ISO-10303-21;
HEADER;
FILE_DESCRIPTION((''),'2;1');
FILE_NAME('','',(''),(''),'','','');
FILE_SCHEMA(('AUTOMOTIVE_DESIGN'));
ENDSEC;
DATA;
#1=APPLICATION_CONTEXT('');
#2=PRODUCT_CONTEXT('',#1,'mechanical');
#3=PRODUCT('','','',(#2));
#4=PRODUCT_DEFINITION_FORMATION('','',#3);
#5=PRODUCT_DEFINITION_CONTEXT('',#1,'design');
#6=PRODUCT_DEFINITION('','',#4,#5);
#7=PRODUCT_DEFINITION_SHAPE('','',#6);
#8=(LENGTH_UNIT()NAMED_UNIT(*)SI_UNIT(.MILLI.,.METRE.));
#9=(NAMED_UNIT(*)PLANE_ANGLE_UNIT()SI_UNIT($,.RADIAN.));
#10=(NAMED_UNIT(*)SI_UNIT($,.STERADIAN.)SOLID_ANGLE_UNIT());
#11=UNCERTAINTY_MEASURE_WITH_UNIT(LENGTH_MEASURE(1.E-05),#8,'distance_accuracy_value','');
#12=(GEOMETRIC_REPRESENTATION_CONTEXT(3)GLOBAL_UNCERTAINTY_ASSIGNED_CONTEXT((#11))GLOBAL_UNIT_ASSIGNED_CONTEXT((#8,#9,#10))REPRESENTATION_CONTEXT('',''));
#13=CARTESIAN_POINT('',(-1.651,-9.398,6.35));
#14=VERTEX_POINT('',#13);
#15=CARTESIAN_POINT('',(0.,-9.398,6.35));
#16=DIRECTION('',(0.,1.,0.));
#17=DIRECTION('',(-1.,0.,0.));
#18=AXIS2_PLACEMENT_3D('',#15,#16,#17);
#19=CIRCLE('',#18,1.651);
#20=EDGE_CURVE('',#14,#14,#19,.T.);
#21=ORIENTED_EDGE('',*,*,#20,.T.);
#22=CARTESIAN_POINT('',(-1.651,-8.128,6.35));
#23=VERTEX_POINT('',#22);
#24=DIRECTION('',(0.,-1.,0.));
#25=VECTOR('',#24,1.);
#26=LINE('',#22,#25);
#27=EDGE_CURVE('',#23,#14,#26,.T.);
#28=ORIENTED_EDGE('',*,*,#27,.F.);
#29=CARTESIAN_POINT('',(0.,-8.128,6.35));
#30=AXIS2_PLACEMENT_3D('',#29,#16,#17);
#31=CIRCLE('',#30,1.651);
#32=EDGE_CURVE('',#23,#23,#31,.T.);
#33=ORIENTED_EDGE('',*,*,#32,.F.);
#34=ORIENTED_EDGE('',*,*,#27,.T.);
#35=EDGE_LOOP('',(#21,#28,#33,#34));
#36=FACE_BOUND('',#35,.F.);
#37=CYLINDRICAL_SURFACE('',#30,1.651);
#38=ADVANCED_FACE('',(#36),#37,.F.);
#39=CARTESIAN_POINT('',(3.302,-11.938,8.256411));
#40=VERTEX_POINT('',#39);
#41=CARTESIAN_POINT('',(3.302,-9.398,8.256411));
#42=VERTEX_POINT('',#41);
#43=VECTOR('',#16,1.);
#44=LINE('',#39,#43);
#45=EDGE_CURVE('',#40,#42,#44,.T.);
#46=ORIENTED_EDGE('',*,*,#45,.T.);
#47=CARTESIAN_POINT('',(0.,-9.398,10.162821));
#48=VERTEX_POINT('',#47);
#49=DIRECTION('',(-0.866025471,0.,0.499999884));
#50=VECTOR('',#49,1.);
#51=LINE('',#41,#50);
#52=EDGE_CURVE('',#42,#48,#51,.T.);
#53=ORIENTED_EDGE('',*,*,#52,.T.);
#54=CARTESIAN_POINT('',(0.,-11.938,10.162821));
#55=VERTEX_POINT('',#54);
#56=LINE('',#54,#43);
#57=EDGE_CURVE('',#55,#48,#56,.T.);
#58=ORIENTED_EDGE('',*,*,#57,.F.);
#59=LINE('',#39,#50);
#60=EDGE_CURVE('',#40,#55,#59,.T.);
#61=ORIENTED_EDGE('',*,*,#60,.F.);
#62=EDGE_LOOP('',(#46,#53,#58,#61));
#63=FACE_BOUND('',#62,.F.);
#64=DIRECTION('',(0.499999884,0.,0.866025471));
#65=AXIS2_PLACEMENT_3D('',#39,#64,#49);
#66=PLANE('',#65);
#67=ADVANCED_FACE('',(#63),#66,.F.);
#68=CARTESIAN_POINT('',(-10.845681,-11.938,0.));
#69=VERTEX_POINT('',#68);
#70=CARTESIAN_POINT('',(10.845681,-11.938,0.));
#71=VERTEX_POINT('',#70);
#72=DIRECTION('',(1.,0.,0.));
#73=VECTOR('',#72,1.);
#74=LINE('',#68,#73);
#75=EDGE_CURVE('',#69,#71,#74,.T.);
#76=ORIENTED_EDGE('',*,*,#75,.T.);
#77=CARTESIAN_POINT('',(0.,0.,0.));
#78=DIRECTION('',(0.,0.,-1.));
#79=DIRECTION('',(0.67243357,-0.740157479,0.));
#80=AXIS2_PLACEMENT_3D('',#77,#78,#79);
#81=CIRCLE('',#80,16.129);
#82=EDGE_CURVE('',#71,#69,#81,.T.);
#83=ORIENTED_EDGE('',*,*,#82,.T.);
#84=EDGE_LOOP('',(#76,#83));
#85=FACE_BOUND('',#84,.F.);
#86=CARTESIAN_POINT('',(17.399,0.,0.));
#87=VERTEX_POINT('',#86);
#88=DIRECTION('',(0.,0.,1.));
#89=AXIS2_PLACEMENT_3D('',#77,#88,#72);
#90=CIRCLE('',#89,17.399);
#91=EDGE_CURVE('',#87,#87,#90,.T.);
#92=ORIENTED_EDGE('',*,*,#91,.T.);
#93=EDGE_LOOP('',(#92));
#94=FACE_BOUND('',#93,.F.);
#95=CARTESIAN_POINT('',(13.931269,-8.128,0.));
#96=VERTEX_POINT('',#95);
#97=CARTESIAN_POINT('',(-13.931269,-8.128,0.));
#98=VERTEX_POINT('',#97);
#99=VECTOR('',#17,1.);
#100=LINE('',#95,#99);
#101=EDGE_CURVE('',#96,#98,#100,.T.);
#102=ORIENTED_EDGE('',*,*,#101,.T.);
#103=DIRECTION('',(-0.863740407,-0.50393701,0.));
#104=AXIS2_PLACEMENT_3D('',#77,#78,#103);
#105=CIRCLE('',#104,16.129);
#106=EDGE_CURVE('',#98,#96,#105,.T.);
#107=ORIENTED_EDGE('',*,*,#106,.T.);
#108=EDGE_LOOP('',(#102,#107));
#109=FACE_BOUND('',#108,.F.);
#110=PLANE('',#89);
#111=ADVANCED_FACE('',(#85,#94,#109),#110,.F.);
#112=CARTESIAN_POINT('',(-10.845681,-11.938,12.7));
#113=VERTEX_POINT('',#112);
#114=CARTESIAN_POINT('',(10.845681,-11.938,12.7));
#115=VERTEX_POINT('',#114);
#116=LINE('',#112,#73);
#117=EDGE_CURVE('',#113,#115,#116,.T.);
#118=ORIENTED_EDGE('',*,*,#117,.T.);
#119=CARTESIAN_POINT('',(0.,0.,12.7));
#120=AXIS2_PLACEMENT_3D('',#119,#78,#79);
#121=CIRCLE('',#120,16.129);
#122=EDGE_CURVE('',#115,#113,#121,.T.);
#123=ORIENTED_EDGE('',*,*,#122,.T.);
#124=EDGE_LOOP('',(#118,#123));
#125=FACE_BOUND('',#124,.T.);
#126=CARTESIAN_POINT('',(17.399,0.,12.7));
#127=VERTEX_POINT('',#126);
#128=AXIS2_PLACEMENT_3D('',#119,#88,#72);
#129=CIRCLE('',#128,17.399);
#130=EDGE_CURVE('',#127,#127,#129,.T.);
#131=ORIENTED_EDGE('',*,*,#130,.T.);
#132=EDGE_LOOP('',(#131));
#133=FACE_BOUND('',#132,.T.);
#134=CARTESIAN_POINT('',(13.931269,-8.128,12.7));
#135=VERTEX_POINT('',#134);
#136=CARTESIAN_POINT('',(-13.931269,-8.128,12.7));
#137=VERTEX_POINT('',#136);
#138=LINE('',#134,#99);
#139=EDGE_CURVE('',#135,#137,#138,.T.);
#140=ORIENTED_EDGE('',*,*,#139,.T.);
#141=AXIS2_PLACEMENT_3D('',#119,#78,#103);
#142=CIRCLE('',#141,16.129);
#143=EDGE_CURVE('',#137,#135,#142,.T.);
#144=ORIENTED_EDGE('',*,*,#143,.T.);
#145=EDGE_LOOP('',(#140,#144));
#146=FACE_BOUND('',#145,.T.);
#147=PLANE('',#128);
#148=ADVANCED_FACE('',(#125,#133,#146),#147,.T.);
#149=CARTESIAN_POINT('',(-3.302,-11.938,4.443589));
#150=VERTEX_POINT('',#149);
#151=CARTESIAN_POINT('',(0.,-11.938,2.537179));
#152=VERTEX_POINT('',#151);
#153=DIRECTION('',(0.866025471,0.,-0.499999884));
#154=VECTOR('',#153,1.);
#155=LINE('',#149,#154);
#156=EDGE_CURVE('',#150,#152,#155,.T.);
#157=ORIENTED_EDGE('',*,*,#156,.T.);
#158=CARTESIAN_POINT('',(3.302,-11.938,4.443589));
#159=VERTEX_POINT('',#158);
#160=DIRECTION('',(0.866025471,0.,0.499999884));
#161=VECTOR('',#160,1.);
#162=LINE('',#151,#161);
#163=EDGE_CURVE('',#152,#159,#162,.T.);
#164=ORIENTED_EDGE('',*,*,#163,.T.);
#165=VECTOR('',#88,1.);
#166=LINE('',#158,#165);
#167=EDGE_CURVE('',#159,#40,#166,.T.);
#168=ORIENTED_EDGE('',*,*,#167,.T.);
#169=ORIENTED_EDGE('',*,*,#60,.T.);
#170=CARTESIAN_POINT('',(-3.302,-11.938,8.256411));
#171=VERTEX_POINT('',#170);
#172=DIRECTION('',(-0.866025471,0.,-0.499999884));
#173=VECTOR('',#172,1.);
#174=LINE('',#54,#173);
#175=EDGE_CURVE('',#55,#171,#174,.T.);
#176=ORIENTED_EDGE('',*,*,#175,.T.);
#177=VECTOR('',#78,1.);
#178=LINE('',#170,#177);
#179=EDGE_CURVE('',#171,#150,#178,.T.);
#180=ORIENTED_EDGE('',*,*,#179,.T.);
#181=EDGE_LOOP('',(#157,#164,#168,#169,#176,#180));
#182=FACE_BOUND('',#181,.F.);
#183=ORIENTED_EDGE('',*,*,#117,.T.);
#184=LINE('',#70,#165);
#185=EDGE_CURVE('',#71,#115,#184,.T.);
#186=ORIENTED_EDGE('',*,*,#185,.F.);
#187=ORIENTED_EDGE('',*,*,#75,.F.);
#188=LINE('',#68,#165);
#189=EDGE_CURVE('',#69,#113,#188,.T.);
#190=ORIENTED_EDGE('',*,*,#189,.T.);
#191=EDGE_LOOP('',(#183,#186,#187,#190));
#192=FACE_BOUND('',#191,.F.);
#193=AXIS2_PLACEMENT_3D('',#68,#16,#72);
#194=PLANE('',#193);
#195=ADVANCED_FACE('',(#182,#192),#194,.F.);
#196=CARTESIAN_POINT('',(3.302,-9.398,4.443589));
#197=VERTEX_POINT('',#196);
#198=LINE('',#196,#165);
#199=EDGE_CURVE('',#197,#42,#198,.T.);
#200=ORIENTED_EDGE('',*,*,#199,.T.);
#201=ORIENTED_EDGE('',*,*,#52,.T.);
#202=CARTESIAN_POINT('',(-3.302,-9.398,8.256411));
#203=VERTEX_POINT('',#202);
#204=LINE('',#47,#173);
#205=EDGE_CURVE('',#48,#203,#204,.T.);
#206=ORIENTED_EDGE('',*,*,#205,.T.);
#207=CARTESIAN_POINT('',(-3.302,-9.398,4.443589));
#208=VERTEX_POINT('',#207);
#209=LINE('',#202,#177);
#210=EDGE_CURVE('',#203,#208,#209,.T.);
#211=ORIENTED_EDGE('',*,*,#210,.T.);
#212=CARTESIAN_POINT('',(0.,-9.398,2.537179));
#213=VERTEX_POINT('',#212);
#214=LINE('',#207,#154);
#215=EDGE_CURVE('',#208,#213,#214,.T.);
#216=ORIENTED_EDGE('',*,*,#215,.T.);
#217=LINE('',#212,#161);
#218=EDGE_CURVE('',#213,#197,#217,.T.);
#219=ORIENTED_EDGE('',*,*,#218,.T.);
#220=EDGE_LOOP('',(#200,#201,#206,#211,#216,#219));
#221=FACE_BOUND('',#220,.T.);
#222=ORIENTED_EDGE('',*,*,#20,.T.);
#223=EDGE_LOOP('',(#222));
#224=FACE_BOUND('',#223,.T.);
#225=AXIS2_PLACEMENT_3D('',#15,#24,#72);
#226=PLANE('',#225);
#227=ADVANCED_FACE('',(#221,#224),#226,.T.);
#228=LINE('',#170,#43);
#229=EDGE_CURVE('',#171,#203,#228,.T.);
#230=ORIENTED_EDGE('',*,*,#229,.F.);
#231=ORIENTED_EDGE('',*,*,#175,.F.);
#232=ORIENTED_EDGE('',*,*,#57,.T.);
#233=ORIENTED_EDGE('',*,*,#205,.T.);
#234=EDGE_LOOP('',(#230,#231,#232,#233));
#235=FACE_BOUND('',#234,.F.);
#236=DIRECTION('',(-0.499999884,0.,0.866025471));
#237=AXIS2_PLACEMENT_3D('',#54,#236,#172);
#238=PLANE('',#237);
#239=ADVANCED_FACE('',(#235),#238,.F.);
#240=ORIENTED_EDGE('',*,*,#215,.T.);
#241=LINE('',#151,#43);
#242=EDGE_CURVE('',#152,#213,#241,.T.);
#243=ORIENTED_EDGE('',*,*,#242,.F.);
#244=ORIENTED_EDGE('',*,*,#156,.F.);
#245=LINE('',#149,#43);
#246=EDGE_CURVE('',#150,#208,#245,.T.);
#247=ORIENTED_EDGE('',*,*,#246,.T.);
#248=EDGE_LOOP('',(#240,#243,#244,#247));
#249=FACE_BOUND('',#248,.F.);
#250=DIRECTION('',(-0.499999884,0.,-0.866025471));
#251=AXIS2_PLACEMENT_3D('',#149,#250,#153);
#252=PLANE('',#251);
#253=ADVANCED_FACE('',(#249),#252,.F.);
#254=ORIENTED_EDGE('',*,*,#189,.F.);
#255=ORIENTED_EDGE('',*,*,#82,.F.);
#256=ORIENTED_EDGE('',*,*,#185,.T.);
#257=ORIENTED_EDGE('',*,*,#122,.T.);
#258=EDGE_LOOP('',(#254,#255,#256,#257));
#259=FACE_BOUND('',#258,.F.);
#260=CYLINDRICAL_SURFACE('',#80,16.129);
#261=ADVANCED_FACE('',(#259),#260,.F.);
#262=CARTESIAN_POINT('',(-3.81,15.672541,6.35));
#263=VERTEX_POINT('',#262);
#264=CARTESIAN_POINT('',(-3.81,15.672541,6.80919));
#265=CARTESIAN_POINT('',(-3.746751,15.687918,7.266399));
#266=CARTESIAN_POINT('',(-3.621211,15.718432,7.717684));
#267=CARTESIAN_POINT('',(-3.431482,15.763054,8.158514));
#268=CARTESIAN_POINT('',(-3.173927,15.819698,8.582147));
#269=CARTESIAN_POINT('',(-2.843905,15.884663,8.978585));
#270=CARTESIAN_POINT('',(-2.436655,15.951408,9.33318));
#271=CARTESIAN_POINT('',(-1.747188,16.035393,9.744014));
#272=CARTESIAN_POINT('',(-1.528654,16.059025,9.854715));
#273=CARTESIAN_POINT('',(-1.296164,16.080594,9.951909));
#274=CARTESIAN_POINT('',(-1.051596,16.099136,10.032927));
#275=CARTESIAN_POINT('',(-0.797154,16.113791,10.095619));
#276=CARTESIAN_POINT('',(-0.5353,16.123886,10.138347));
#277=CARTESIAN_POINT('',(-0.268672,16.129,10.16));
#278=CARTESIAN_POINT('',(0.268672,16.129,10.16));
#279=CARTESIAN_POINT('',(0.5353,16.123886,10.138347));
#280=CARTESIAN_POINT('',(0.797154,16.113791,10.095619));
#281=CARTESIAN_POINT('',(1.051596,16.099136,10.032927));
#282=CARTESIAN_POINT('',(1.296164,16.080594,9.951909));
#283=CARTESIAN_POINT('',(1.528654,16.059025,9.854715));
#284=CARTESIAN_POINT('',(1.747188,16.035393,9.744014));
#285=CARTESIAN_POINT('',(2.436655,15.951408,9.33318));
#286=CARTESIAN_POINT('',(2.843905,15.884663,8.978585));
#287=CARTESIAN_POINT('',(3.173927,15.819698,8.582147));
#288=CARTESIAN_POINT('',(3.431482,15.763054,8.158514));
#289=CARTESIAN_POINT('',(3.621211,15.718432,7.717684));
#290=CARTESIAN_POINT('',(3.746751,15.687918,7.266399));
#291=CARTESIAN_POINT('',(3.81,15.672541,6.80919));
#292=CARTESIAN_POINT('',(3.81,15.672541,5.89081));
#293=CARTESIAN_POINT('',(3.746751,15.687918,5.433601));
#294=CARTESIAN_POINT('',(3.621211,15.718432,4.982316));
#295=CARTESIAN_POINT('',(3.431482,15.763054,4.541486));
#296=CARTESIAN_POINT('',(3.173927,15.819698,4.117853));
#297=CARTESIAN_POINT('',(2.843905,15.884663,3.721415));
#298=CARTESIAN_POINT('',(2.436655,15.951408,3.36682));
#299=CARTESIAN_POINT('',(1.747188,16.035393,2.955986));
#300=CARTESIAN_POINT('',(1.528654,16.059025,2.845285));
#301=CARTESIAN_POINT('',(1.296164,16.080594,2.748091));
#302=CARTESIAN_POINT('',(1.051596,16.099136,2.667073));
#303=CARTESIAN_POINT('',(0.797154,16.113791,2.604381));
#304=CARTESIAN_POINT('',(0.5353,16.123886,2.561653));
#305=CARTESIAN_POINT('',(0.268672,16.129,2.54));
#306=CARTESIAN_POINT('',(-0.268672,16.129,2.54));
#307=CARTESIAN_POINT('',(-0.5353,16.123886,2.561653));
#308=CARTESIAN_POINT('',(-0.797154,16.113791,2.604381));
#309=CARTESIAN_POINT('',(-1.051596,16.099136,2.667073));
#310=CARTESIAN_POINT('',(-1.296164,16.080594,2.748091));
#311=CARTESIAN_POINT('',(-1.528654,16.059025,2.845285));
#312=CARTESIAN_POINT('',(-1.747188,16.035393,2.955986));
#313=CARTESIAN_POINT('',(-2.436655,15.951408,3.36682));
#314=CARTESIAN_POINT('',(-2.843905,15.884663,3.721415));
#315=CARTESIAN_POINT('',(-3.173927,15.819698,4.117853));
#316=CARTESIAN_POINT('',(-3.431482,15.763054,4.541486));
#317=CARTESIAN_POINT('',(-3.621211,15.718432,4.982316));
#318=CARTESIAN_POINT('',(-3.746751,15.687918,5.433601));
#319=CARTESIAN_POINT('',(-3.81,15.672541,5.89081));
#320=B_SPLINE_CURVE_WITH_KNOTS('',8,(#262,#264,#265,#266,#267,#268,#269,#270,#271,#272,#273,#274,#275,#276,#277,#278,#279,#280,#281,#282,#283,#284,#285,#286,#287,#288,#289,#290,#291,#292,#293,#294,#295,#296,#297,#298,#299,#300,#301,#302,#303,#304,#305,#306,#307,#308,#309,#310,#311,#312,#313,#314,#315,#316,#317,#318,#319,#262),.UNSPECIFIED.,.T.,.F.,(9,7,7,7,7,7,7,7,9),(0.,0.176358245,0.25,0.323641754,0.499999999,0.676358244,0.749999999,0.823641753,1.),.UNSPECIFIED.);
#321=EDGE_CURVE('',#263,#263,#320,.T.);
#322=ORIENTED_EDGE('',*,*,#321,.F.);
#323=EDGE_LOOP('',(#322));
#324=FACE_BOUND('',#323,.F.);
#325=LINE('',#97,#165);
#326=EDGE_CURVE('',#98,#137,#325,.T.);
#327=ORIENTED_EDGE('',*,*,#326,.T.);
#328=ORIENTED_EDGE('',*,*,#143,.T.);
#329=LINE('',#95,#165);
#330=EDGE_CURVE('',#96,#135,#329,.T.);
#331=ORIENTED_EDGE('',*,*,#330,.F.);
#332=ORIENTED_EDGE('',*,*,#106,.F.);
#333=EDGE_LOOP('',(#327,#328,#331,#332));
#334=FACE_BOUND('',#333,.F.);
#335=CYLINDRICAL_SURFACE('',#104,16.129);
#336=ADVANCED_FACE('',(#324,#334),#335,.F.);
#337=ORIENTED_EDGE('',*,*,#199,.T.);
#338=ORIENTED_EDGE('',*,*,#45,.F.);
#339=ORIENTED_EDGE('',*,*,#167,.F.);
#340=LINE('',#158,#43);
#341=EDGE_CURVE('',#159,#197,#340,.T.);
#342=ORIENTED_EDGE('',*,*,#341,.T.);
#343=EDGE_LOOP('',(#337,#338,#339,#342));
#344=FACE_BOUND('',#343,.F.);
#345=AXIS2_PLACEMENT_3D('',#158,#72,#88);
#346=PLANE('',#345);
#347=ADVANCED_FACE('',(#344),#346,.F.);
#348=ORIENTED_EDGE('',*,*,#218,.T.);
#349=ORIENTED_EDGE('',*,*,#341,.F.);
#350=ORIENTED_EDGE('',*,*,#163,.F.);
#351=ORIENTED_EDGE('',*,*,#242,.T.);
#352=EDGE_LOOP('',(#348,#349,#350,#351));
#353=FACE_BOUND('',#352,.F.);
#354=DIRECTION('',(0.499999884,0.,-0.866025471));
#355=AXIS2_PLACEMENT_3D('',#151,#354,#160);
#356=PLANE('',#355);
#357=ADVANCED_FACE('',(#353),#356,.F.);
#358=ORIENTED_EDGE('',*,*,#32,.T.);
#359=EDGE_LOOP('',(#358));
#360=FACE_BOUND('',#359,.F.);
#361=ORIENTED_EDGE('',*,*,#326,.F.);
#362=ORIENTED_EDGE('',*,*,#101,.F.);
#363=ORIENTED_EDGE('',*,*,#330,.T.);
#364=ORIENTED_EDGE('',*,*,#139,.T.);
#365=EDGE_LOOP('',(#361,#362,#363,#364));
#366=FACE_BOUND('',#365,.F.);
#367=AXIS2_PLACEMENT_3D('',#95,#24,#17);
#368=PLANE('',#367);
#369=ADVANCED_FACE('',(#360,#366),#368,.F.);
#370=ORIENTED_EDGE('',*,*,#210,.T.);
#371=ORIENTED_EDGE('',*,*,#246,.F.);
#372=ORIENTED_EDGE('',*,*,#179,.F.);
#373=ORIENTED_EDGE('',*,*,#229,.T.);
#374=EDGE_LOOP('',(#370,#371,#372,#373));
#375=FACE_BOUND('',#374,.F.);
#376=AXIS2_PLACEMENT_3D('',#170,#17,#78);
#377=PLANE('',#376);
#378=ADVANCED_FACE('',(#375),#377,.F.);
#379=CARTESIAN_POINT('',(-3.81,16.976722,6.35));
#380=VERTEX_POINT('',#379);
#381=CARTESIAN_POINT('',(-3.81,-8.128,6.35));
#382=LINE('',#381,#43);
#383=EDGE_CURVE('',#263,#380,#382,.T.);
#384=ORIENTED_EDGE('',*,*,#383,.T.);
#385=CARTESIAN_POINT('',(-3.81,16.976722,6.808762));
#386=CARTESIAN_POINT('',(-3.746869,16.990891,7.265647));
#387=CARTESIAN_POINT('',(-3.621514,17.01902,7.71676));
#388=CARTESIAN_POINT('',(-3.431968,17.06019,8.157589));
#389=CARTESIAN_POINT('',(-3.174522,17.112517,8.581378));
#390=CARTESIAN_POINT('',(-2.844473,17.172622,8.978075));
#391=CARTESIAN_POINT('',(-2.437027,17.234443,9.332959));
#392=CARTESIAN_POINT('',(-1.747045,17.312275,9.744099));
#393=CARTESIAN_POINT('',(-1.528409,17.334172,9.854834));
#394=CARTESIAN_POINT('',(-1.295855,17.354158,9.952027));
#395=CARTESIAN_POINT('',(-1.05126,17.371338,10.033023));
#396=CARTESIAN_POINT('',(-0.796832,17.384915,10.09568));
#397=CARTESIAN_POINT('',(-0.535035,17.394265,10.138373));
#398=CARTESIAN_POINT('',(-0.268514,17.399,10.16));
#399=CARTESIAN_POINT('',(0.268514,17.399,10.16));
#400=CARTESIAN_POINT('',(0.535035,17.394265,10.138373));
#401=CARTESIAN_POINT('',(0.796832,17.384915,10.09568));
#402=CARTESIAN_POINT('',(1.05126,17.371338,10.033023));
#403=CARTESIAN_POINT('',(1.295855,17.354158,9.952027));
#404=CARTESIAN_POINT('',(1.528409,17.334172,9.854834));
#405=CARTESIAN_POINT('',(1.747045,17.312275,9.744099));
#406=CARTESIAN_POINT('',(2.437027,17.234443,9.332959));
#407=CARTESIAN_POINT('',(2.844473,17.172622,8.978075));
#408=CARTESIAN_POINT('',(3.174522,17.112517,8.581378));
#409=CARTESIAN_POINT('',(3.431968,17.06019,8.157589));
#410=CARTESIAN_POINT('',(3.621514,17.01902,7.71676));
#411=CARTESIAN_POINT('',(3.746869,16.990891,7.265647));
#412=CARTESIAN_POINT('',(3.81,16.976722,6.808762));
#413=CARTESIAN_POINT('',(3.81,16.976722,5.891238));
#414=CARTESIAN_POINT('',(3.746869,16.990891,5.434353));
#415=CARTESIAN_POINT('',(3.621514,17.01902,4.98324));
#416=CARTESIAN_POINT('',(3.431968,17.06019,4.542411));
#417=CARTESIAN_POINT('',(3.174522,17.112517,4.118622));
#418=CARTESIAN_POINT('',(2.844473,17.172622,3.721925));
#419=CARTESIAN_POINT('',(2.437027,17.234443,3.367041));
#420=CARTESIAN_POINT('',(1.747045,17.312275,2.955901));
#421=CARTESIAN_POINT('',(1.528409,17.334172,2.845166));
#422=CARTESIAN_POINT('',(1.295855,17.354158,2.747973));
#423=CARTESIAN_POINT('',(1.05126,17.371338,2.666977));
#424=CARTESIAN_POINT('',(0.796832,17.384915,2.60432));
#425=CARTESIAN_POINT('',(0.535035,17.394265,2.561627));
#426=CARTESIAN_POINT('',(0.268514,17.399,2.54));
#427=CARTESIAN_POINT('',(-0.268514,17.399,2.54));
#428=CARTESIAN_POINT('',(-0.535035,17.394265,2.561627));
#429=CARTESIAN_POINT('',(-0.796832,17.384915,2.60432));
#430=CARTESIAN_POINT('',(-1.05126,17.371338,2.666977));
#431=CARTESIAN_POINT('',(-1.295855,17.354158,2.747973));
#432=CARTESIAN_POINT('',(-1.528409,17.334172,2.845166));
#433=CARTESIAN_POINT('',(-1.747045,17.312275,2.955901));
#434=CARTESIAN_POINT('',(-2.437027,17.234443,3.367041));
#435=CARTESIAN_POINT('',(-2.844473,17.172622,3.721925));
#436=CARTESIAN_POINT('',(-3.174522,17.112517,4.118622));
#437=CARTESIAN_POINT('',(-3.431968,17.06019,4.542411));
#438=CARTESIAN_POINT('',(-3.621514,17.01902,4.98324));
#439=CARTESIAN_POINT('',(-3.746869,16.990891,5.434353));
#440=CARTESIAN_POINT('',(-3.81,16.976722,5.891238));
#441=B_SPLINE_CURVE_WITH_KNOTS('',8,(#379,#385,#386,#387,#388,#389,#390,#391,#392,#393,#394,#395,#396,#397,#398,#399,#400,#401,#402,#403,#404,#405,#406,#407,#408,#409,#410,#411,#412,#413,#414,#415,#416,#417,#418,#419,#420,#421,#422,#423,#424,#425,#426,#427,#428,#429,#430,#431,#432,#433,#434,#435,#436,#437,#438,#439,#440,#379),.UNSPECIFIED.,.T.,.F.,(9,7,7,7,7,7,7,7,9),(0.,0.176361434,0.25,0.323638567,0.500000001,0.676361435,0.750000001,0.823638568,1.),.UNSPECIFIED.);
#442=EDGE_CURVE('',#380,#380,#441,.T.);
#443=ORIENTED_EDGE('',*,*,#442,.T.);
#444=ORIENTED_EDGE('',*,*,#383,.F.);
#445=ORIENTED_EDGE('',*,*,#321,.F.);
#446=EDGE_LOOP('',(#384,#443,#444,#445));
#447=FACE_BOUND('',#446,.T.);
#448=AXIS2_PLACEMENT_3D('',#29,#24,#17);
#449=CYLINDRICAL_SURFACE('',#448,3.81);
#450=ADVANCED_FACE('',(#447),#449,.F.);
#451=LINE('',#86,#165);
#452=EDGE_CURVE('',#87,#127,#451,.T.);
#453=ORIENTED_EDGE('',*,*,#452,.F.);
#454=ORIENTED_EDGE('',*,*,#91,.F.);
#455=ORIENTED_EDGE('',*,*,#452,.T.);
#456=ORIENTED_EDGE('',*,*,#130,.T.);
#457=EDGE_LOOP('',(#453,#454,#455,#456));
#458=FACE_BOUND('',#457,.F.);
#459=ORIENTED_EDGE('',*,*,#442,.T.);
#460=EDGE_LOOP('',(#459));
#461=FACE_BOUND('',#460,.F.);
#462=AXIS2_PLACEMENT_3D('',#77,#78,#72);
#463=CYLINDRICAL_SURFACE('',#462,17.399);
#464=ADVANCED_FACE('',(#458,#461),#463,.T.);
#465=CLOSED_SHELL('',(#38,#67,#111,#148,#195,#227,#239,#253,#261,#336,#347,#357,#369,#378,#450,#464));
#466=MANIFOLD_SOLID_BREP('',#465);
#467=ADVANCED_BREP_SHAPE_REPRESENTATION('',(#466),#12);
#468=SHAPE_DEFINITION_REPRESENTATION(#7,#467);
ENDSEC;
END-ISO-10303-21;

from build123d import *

# Parameters (mm, degrees)
F0_R     = 17.399
F1_DEPTH = 12.7
F2_R     = 1.651
F3_DEPTH = 3.81
F5_DEPTH = 2.54
F6_R     = 3.81
F7_DEPTH = 25.528


with BuildPart() as f1:
    # F0 (on Top) → F1 (new body)
    with BuildSketch(Plane.XY):
        Circle(F0_R)
        with BuildLine():
            ThreePointArc((10.845681, -11.938), (0, -16.129), (-10.845681, -11.938))
            Line((-10.845681, -11.938), (10.845681, -11.938))
        make_face(mode=Mode.SUBTRACT)
        with BuildLine():
            Line((13.931269, -8.128), (-13.931269, -8.128))
            ThreePointArc((-13.931269, -8.128), (0, 16.129), (13.931269, -8.128))
        make_face(mode=Mode.SUBTRACT)
    extrude(amount=F1_DEPTH)

    # F2 (on face) → F3 (cut, through all)
    with BuildSketch(Plane(origin=(0, -8.128, 0), x_dir=(-1, 0, 0), z_dir=(0, 1, 0))):
        with Locations((0, 6.35)):
            Circle(F2_R)
    extrude(amount=-F3_DEPTH, mode=Mode.SUBTRACT)

    # F4 (on face) → F5 (cut)
    with BuildSketch(Plane.XZ.offset(11.938)):
        Polygon((3.302, 4.443589), (3.302, 8.256411), (0, 10.162821), (-3.302, 8.256411), (-3.302, 4.443589), (0, 2.537179), align=None)
    extrude(amount=-F5_DEPTH, mode=Mode.SUBTRACT)

    # F6 (on face) → F7 (cut, through all)
    with BuildSketch(Plane(origin=(0, -8.128, 0), x_dir=(-1, 0, 0), z_dir=(0, 1, 0))):
        with Locations((0, 6.35)):
            Circle(F6_R)
    extrude(amount=F7_DEPTH, mode=Mode.SUBTRACT)


solid = f1.part
